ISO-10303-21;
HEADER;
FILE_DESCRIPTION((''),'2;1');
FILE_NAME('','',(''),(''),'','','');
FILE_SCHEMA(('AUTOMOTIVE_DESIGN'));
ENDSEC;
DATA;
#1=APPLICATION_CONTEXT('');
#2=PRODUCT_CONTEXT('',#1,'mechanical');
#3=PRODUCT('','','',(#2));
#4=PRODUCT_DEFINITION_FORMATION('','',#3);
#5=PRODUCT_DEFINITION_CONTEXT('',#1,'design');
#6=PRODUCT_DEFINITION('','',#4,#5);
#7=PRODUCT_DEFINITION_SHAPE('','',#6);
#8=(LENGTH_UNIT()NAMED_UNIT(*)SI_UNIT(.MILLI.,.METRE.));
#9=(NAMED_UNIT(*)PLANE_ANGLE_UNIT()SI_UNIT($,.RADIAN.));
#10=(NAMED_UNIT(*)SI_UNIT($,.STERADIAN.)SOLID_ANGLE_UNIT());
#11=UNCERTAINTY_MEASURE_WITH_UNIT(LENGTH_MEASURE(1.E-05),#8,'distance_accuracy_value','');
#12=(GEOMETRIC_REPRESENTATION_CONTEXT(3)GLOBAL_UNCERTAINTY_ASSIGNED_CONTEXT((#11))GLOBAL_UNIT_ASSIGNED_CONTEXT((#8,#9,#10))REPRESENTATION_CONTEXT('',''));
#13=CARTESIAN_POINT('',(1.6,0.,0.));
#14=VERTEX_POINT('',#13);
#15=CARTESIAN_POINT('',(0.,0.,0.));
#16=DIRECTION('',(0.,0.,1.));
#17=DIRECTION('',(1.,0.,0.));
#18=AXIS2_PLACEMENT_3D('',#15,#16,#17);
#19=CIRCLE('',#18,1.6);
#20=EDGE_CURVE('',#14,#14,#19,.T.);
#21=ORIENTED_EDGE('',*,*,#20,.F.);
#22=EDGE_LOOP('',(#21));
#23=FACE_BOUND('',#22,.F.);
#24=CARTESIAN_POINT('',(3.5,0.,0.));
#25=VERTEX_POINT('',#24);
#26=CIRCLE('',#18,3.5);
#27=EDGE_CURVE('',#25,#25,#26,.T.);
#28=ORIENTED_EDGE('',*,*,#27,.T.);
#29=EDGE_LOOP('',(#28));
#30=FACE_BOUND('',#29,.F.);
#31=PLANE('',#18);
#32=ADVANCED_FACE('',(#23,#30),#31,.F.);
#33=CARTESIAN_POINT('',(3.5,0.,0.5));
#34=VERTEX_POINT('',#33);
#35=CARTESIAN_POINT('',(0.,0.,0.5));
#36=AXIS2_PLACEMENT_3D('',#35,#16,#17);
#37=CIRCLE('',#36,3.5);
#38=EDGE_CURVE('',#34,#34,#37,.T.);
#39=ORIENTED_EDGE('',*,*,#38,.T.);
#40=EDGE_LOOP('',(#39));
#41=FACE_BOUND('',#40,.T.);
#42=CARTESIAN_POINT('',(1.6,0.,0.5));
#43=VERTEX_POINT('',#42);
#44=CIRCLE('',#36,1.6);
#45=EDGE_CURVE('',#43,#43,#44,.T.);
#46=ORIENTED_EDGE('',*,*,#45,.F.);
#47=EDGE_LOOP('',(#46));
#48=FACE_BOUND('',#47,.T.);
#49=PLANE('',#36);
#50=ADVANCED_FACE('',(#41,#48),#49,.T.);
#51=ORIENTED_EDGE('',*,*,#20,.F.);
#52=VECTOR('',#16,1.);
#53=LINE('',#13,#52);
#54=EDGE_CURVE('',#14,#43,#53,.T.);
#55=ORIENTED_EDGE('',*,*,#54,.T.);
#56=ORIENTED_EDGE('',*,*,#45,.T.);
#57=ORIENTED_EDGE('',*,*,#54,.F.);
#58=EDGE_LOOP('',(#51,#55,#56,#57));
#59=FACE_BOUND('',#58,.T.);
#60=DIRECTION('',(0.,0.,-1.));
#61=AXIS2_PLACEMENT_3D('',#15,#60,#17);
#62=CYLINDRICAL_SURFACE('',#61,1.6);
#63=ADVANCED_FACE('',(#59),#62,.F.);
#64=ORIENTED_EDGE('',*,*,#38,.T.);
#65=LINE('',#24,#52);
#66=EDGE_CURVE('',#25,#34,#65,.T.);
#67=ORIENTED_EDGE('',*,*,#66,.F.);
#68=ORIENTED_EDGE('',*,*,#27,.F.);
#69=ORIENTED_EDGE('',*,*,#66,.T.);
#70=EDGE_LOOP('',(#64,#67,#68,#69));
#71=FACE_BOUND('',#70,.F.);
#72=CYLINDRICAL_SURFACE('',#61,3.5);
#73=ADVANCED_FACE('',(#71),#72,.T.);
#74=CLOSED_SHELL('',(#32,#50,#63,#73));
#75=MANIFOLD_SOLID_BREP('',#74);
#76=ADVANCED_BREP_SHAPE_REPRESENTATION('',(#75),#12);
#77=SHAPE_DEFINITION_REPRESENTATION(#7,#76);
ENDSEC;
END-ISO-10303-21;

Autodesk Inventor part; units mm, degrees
ref_plane "YZ Plane" through (0, 0, 0) normal (1, 0, 0) x (0, 1, 0)
ref_plane "XZ Plane" through (0, 0, 0) normal (0, 1, 0) x (-1, 0, 0)
ref_plane "XY Plane" through (0, 0, 0) normal (0, 0, 1) x (1, 0, 0)
sketch "Sketch1" plane through (0, 0, 0) normal (0, 0, 1) x (1, 0, 0)
  circle A0 centre (0, 0) radius 1.6
  circle A1 centre (0, 0) radius 3.5
  dimension "d0" = 3.2
  dimension "d1" = 7
extrude "Extrusion1" add sketch "Sketch1" along normal blind 0.5
properties part number "M3 WASHER"
